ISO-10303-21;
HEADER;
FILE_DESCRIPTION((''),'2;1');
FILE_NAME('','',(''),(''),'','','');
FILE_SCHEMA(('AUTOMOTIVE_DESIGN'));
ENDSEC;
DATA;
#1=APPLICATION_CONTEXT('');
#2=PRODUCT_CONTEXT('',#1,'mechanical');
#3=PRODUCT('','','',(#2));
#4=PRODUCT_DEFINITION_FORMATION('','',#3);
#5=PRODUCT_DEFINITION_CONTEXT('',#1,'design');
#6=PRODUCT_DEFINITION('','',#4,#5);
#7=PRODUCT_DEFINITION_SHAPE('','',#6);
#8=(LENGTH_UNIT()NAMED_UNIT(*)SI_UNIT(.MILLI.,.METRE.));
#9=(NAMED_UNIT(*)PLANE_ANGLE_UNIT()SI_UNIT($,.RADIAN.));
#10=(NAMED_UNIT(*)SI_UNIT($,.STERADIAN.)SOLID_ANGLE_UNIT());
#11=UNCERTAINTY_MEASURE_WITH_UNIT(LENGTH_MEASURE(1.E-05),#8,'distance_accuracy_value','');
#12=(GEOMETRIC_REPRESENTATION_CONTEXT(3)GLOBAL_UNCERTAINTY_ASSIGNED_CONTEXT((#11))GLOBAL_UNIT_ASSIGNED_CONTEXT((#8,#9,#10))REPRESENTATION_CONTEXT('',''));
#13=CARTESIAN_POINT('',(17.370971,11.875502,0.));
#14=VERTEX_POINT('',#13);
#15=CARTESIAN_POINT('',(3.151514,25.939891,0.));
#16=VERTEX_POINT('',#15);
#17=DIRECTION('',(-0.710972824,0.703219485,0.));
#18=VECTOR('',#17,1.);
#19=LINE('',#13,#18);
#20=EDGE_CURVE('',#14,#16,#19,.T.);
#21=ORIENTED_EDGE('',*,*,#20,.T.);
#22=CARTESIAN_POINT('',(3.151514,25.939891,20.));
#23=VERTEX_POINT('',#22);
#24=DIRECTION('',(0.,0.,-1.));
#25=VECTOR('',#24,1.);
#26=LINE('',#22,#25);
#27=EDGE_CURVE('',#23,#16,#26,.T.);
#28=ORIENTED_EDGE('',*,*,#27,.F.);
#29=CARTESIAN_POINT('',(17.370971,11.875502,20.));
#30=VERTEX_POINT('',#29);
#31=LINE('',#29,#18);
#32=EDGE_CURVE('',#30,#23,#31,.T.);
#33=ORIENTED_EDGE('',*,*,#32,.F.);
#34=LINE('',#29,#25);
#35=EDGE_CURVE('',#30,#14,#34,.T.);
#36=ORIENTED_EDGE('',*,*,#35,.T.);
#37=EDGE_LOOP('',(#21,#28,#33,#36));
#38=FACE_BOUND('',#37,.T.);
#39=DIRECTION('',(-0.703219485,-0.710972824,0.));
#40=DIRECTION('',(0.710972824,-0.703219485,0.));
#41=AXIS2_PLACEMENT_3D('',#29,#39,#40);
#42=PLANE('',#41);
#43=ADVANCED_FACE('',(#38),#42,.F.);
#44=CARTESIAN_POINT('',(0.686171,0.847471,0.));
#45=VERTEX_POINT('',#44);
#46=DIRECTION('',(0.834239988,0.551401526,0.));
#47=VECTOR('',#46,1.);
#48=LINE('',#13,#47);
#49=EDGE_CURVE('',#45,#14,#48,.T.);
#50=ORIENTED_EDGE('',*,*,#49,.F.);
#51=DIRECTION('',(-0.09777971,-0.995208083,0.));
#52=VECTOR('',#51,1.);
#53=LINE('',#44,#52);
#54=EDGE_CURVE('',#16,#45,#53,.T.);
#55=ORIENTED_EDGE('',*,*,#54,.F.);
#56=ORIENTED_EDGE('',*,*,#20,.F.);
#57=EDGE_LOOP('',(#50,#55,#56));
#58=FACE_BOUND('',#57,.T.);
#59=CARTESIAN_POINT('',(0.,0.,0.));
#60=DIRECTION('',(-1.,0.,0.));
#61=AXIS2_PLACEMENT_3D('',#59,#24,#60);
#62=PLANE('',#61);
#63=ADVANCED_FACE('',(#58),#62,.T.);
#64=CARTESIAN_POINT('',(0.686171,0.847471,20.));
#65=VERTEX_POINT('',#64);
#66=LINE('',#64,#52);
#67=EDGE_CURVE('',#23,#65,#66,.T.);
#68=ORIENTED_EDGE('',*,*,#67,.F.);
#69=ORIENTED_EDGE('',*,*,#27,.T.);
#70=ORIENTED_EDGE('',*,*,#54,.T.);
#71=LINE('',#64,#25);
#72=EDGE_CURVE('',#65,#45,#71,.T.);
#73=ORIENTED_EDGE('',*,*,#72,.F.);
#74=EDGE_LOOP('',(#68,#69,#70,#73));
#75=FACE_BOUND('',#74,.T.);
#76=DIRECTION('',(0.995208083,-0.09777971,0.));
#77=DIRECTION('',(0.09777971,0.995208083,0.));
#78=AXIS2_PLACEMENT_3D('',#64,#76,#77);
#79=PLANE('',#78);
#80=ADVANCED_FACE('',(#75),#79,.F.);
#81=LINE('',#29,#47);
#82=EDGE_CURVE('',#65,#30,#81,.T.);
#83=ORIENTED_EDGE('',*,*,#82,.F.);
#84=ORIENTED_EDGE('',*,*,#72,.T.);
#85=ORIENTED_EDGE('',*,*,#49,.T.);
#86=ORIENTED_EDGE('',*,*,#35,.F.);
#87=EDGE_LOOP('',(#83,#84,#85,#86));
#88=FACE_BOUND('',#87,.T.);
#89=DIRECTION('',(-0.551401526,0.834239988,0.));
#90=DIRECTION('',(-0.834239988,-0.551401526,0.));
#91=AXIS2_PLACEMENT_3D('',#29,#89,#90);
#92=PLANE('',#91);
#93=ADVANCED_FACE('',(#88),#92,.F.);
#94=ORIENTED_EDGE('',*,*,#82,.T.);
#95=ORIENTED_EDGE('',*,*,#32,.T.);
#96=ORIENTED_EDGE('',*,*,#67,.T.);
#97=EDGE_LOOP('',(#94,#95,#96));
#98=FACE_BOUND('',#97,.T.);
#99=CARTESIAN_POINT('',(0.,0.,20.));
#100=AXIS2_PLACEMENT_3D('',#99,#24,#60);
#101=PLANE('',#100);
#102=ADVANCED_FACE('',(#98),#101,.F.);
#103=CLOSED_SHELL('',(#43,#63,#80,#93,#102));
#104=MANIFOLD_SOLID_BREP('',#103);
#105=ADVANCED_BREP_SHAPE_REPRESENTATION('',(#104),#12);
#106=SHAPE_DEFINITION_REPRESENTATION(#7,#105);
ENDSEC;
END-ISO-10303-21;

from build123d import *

# Parameters (mm, degrees)
EXTRUDE_1_DEPTH = 20


with BuildPart() as part:
    # 草图2 → 凸台-拉伸1 (new body)
    with BuildSketch(Plane.XY):
        Polygon((17.370970729, 11.875501625), (3.151514257, 25.939891325), (0.686170974, 0.847471105), align=None)
    extrude(amount=EXTRUDE_1_DEPTH)


solid = part.part
